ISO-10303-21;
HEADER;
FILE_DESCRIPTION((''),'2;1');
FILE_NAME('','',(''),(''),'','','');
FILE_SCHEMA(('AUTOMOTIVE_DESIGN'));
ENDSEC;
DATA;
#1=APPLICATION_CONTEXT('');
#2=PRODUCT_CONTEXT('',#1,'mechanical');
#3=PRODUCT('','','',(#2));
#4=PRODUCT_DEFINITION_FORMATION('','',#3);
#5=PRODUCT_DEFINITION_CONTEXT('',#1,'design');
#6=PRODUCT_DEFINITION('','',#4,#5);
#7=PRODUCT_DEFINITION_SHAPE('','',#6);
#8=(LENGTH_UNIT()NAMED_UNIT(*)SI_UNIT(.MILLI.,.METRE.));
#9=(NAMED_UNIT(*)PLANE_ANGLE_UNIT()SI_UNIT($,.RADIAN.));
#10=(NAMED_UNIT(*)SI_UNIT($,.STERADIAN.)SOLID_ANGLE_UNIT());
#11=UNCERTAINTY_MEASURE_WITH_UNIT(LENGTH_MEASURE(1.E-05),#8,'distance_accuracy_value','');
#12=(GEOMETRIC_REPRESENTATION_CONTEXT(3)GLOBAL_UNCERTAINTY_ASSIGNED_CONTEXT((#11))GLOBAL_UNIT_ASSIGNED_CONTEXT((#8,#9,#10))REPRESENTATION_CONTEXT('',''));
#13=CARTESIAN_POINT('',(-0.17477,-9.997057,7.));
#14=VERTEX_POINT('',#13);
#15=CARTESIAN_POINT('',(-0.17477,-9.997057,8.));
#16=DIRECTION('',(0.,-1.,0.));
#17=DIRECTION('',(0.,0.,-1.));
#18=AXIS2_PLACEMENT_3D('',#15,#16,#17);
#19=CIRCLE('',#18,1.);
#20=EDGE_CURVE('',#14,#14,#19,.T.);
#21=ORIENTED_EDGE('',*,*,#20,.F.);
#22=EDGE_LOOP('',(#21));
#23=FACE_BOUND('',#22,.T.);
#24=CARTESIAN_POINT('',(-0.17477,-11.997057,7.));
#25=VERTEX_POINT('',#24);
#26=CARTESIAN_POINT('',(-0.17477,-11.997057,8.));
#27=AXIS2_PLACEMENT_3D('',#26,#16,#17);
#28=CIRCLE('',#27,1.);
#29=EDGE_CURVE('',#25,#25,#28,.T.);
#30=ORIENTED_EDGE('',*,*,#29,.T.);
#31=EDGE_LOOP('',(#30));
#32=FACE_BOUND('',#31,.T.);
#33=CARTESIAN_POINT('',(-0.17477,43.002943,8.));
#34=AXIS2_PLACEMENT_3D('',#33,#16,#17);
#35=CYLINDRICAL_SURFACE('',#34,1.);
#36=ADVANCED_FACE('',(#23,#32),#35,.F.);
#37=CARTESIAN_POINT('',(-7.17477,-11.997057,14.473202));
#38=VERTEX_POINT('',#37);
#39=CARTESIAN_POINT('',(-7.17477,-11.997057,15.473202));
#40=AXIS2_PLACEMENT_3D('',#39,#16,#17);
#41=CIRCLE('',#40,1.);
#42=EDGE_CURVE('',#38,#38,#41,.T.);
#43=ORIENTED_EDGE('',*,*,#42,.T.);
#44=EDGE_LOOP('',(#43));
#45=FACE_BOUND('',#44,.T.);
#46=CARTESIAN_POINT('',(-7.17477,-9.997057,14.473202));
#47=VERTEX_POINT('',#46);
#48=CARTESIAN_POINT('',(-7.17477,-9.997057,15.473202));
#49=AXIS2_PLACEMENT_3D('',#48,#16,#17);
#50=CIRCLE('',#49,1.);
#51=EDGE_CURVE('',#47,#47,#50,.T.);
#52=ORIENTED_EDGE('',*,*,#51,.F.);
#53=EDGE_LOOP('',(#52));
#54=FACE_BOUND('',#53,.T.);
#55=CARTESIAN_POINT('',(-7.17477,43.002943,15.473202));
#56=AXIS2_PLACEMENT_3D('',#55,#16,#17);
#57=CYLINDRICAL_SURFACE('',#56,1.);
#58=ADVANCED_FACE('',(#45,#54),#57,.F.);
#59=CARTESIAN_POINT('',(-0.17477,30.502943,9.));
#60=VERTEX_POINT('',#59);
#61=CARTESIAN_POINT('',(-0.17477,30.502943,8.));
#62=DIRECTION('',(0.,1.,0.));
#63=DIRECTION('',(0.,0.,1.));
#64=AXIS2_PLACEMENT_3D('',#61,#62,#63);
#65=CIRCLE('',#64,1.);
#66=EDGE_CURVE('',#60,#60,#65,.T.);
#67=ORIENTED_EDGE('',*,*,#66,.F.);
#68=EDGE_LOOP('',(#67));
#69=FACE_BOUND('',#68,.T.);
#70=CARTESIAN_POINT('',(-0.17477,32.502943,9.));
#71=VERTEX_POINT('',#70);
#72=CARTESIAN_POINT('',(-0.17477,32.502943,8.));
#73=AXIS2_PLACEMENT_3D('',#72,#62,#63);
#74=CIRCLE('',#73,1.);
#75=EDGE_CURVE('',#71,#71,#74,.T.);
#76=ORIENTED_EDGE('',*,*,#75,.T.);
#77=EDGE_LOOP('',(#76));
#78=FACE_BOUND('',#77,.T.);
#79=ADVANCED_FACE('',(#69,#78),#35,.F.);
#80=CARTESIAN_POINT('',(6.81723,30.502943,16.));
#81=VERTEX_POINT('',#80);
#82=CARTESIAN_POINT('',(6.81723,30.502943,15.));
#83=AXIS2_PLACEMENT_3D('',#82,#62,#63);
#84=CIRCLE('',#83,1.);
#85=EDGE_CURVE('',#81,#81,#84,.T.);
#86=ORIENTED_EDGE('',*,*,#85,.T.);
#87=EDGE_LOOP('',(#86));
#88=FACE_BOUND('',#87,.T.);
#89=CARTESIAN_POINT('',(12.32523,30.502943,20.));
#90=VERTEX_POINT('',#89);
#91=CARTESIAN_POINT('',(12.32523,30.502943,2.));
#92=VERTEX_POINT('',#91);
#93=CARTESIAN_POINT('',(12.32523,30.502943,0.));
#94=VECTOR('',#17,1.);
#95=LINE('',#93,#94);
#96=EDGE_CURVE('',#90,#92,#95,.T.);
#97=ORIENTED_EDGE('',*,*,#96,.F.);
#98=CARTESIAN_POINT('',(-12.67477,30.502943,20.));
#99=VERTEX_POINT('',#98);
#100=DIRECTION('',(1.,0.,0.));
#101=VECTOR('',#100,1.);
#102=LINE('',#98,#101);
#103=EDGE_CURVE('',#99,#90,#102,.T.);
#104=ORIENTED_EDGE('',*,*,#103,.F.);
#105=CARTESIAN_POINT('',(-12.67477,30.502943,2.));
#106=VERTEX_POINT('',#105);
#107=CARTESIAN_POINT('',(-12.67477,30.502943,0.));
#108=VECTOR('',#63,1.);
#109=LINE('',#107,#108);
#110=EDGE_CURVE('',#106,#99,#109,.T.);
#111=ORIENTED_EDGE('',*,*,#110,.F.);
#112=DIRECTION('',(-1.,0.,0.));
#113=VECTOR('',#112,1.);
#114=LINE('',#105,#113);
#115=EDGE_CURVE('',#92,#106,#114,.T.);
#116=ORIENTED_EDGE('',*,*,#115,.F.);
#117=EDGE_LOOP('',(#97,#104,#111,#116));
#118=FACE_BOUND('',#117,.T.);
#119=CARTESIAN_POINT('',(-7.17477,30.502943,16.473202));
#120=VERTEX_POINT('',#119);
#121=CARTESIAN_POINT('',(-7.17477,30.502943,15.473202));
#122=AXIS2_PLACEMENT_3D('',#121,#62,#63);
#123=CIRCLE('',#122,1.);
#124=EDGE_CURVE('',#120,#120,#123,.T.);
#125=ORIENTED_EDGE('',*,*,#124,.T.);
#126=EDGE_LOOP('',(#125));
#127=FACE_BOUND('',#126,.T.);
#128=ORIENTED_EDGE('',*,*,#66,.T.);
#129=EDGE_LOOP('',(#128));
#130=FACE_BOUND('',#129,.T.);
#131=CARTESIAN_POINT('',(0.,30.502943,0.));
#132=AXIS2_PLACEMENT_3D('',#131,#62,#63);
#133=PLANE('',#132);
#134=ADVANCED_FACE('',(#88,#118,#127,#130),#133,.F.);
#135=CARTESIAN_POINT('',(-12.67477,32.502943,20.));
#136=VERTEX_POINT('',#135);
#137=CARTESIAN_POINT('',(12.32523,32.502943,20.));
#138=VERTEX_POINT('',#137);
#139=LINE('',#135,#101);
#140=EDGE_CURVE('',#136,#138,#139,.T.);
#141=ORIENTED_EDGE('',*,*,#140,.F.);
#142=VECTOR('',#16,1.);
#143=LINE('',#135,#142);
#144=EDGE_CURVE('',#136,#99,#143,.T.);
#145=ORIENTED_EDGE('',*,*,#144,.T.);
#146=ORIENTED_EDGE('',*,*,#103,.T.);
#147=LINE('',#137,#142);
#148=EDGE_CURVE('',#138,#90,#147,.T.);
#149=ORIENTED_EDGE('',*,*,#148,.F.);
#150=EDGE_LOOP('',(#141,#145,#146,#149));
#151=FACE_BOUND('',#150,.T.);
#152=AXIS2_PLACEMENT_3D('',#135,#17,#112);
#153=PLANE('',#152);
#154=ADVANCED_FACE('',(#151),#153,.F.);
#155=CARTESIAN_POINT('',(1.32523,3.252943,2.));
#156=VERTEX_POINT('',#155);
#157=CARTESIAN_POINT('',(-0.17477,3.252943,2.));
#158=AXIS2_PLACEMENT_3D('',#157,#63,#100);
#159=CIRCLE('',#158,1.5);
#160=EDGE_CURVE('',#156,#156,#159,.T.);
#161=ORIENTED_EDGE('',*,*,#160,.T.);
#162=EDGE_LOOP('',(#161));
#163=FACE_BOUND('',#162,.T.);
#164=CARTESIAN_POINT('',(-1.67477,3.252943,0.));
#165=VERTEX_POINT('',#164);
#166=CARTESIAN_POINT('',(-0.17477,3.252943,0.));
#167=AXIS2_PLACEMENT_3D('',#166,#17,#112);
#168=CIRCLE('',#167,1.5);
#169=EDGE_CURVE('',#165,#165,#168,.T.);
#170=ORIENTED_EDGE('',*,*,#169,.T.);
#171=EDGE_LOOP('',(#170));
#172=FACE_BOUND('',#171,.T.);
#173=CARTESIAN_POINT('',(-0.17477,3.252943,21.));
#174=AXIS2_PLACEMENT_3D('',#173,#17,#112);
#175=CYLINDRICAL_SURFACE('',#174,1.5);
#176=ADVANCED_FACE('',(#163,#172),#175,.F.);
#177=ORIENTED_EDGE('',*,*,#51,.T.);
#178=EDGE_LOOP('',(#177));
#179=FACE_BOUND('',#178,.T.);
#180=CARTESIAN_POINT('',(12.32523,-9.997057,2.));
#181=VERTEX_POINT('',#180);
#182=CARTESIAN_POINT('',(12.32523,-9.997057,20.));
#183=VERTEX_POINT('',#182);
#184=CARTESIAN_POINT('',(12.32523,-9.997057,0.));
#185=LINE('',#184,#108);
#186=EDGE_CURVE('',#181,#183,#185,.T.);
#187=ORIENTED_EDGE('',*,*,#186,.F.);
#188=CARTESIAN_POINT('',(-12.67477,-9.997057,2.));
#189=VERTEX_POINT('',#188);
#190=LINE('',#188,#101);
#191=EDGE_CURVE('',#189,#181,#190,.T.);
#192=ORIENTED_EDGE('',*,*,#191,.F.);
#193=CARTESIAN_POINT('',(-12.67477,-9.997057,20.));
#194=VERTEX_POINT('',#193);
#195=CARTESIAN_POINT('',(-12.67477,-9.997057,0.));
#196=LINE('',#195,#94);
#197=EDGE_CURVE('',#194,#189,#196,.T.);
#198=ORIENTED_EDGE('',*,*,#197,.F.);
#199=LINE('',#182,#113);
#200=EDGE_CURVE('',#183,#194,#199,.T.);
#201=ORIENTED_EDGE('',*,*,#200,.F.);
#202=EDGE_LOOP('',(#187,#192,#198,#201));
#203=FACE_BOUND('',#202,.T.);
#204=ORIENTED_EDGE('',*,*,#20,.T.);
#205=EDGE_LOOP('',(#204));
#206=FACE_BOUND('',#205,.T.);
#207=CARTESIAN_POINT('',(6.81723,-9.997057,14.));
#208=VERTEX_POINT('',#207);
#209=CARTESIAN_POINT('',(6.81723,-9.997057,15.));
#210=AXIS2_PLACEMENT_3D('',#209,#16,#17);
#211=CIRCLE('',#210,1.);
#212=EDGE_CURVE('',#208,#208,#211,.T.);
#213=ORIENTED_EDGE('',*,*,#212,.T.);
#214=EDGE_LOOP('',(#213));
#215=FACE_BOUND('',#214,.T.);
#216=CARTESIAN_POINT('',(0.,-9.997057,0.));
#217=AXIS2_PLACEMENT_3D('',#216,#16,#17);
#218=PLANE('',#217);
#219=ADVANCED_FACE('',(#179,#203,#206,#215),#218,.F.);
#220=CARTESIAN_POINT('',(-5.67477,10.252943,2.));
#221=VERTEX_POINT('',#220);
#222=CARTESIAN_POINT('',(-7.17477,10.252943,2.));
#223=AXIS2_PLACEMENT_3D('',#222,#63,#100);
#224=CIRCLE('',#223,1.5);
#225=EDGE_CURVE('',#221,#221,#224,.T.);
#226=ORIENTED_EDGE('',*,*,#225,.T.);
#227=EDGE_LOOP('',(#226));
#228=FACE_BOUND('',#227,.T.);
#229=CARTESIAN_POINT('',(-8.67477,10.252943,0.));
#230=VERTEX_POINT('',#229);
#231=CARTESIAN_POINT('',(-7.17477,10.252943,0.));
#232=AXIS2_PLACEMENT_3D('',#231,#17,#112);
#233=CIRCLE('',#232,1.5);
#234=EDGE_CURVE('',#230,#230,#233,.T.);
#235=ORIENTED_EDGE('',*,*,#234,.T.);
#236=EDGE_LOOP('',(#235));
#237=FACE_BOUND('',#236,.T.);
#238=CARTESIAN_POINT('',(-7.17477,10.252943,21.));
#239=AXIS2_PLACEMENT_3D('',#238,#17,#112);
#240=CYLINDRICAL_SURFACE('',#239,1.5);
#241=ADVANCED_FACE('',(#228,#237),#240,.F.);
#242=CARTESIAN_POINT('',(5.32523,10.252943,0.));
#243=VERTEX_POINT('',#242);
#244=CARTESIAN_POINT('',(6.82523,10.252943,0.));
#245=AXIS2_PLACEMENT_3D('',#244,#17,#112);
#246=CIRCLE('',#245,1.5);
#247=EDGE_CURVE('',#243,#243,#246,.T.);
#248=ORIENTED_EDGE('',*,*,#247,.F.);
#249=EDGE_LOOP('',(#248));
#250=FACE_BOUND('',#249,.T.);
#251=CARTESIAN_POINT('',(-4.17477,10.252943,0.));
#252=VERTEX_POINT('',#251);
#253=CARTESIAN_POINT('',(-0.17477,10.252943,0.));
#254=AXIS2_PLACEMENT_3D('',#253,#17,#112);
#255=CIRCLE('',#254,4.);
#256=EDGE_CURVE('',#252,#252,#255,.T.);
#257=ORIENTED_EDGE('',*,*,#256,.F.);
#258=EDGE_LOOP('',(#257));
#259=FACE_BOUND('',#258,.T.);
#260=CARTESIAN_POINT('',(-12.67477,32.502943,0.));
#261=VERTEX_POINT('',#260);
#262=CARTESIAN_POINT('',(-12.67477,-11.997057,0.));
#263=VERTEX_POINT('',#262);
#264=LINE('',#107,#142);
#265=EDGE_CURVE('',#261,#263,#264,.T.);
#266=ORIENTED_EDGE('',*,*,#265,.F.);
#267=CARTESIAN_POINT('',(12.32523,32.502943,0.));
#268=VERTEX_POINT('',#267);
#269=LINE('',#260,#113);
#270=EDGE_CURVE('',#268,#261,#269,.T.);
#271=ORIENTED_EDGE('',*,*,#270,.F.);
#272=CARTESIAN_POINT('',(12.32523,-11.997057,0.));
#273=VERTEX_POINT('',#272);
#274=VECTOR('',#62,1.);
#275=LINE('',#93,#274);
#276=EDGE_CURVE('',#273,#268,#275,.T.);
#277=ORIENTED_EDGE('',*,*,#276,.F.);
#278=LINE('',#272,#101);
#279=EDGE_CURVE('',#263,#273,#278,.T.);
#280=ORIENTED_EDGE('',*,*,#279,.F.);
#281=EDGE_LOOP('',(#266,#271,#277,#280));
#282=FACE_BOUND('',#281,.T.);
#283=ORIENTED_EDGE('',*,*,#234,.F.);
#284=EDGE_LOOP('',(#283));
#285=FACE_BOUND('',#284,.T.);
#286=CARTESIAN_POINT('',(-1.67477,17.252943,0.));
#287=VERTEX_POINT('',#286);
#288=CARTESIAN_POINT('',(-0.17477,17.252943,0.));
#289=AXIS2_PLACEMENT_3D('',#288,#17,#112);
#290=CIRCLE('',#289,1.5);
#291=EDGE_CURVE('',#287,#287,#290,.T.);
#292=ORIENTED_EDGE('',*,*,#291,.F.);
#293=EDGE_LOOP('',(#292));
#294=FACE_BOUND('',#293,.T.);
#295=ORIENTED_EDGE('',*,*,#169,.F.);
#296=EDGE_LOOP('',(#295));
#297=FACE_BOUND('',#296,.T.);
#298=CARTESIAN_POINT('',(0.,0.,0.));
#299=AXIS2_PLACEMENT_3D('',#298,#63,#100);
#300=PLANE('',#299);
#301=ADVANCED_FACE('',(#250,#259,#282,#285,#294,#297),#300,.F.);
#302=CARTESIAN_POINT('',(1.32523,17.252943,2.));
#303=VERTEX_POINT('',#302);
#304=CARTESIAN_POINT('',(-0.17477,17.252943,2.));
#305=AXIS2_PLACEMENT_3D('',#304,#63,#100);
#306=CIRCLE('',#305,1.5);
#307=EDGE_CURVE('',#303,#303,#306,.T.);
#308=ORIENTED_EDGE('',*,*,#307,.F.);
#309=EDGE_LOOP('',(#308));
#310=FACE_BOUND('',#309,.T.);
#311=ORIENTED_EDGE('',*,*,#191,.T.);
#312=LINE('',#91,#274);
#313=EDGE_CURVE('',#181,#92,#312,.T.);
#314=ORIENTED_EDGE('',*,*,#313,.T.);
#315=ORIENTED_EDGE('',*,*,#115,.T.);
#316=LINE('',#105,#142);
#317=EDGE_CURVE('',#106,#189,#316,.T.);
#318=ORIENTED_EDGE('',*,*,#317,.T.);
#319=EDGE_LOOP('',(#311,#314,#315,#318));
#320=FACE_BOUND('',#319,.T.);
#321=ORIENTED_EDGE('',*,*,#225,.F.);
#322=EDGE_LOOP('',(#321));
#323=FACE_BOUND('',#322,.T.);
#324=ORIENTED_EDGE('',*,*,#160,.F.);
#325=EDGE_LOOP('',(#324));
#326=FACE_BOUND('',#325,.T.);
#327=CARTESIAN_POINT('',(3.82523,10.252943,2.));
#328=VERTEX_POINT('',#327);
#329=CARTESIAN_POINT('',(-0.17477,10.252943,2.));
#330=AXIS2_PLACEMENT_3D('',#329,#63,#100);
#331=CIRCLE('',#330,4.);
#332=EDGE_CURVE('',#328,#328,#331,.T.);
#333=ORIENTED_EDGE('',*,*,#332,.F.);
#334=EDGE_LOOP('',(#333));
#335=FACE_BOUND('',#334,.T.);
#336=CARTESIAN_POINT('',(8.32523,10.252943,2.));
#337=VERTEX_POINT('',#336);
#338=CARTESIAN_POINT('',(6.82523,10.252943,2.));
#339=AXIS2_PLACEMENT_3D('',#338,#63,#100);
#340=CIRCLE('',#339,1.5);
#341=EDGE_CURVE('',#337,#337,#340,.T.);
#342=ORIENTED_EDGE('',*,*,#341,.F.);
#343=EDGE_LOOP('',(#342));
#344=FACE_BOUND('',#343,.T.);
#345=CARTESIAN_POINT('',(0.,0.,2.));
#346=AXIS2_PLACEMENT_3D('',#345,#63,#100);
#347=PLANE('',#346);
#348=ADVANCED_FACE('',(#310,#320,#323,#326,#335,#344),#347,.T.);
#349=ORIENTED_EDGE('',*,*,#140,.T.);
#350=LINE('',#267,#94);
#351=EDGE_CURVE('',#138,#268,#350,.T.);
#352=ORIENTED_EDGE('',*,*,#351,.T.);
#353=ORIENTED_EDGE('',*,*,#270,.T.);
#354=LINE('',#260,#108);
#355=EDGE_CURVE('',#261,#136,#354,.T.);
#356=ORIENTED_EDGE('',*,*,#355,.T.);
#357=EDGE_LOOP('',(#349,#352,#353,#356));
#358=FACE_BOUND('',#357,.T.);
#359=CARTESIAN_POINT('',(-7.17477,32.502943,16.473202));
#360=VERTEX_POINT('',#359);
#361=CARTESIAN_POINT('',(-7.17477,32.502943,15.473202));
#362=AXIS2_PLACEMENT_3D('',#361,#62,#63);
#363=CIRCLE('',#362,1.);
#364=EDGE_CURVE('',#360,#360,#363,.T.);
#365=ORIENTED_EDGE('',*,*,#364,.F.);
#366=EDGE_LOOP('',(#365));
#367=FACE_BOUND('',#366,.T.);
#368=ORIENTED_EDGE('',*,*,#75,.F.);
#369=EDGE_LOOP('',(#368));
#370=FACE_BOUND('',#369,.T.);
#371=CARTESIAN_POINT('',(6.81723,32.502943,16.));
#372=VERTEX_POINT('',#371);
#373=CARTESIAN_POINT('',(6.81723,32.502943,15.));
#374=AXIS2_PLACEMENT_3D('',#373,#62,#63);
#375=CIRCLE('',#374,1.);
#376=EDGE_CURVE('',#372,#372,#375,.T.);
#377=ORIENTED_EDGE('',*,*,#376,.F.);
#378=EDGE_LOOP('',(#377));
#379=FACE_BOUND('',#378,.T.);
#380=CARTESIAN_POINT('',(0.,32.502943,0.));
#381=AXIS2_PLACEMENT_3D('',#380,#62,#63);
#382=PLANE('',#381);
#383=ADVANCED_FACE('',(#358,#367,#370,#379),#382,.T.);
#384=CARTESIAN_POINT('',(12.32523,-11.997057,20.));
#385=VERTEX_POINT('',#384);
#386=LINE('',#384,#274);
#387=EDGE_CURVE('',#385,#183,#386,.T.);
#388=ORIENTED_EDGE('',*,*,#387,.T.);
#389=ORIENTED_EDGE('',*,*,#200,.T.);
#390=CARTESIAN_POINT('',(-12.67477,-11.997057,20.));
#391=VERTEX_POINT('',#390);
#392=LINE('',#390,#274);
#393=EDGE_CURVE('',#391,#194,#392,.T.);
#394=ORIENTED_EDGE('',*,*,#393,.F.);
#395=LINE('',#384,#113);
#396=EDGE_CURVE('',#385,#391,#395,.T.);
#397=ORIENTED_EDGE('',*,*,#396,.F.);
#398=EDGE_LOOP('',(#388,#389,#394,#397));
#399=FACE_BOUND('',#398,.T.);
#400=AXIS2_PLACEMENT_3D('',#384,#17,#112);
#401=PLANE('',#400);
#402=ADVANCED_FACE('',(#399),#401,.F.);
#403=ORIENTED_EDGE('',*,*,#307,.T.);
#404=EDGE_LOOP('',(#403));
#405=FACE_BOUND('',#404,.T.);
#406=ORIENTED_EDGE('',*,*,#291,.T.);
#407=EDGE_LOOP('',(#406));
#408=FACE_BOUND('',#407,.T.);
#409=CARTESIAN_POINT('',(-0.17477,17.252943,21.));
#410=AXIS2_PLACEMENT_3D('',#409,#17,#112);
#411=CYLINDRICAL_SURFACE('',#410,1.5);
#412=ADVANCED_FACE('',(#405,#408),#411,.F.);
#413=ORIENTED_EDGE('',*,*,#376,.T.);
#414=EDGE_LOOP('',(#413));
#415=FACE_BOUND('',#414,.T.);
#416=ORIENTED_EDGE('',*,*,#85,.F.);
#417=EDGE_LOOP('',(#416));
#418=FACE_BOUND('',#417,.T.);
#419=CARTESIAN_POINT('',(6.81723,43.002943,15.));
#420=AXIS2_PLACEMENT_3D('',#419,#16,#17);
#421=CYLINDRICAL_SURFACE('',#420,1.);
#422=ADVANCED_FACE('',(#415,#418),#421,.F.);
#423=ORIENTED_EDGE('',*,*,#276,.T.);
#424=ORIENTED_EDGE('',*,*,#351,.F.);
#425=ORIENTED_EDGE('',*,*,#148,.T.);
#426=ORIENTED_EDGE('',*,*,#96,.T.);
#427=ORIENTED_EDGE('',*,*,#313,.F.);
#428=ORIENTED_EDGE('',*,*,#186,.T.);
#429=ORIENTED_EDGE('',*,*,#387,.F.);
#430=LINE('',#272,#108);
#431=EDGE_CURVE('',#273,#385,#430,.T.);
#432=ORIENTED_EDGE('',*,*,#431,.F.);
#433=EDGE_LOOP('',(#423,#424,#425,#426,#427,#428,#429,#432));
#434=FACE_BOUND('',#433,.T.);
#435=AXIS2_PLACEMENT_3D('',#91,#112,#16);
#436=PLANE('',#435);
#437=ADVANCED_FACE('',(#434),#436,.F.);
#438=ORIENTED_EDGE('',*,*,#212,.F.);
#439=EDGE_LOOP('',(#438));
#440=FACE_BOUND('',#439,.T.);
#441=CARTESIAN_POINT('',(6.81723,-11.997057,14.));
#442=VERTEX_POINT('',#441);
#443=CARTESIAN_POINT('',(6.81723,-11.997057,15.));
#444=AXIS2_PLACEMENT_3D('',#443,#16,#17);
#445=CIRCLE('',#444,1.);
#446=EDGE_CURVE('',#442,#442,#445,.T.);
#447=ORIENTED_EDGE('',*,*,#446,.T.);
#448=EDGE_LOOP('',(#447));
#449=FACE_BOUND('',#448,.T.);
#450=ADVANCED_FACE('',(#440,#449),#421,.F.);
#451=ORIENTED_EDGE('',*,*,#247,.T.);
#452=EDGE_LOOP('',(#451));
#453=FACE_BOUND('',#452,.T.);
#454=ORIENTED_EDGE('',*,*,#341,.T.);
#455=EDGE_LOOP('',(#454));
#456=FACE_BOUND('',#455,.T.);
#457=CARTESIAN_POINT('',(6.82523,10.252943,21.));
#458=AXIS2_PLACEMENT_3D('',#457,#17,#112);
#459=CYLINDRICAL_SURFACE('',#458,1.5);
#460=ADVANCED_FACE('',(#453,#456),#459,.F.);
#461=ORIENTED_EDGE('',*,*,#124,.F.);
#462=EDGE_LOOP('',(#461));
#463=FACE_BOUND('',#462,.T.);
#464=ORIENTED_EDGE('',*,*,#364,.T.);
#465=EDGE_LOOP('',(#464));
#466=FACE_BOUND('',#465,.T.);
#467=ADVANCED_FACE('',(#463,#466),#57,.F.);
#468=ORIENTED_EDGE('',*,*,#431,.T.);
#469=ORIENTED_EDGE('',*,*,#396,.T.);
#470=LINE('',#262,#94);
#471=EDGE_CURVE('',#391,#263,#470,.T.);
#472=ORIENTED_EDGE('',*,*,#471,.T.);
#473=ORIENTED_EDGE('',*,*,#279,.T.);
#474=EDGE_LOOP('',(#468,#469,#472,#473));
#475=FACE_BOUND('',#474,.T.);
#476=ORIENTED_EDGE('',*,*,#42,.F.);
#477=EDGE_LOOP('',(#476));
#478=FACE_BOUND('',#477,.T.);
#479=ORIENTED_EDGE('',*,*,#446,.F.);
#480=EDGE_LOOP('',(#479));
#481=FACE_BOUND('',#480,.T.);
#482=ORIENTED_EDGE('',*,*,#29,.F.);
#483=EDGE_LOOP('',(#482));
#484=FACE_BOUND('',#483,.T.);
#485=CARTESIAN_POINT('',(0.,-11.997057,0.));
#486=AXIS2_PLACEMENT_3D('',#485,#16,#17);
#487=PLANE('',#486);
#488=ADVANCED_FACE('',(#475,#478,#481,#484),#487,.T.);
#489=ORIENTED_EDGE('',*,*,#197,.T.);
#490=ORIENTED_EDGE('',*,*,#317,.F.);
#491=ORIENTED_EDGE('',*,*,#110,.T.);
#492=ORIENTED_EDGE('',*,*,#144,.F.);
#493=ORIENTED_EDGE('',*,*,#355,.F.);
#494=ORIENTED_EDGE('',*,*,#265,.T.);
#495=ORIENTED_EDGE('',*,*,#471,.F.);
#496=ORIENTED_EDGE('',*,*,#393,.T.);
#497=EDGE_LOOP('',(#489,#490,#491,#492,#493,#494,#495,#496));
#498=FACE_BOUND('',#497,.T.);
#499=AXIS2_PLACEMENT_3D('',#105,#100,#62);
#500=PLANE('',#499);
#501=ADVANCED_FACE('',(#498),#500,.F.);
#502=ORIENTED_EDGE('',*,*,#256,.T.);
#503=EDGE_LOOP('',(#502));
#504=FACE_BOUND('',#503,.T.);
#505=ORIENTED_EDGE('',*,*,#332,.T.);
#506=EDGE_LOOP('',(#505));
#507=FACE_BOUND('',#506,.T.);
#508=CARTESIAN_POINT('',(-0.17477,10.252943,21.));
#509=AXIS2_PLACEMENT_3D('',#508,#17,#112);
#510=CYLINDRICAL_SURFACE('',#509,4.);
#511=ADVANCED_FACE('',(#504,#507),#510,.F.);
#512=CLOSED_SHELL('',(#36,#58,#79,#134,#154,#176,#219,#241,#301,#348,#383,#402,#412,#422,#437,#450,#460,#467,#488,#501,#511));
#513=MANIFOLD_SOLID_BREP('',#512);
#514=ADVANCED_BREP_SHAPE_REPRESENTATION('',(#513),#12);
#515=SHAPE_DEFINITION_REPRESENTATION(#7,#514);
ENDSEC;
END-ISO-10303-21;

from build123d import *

# Parameters (mm, degrees)
SKETCH1_W           = 25
SKETCH1_H           = 40.5
BOSS_EXTRUDE1_DEPTH = 2
SKETCH2_W           = 25
SKETCH2_H           = 20
BOSS_EXTRUDE2_DEPTH = 2
SKETCH3_W           = 25
SKETCH3_H           = 20
BOSS_EXTRUDE3_DEPTH = 2
SKETCH5_R           = 4
CUT_EXTRUDE2_DEPTH  = 21
SKETCH6_R           = 1.5
CUT_EXTRUDE3_DEPTH  = 21
SKETCH7_R           = 1
CUT_EXTRUDE4_DEPTH  = 55


with BuildPart() as part:
    # Sketch1 → Boss-Extrude1 (new body)
    with BuildSketch(Plane.XY):
        with Locations((-0.174770451, 10.252942624)):
            Rectangle(SKETCH1_W, SKETCH1_H)
    extrude(amount=BOSS_EXTRUDE1_DEPTH)

    # Sketch2 → Boss-Extrude2 (add)
    with BuildSketch(Plane(origin=(0, 30.502942624, 0), x_dir=(1, 0, 0), z_dir=(0, 1, 0))):
        with Locations((-0.174770451, -10)):
            Rectangle(SKETCH2_W, SKETCH2_H)
    extrude(amount=BOSS_EXTRUDE2_DEPTH)

    # Sketch3 → Boss-Extrude3 (add)
    with BuildSketch(Plane(origin=(0, -9.997057376, 0), x_dir=(-1, 0, 0), z_dir=(0, -1, 0))):
        with Locations((0.174770451, -10)):
            Rectangle(SKETCH3_W, SKETCH3_H)
    extrude(amount=BOSS_EXTRUDE3_DEPTH)

    # Sketch5 → Cut-Extrude2 (cut)
    with BuildSketch(Plane(origin=(0, 0, 0), x_dir=(-1, 0, 0), z_dir=(0, 0, -1))):
        with Locations((0.174770451, 10.252942624)):
            Circle(SKETCH5_R)
    extrude(amount=-CUT_EXTRUDE2_DEPTH, mode=Mode.SUBTRACT)

    # Sketch6 → Cut-Extrude3 (cut)
    with BuildSketch(Plane(origin=(0, 0, 0), x_dir=(-1, 0, 0), z_dir=(0, 0, -1))):
        with Locations((7.174770451, 10.252942624)):
            Circle(SKETCH6_R)
        with Locations((0.174770451, 3.252942624)):
            Circle(SKETCH6_R)
        with Locations((-6.825229549, 10.252942624)):
            Circle(SKETCH6_R)
        with Locations((0.174770451, 17.252942624)):
            Circle(SKETCH6_R)
    extrude(amount=-CUT_EXTRUDE3_DEPTH, mode=Mode.SUBTRACT)

    # Sketch7 → Cut-Extrude4 (cut)
    with BuildSketch(Plane(origin=(0, -11.997057376, 0), x_dir=(-1, 0, 0), z_dir=(0, -1, 0))):
        with Locations(Location((7.174770451, -15.473202344, 0), (0, 0, 90))):
            Circle(SKETCH7_R)
        with Locations(Location((-6.817230105, -15, 0), (0, 0, 90))):
            Circle(SKETCH7_R)
        with Locations(Location((0.174770451, -8, 0), (0, 0, 90))):
            Circle(SKETCH7_R)
    extrude(amount=-CUT_EXTRUDE4_DEPTH, mode=Mode.SUBTRACT)


solid = part.part
